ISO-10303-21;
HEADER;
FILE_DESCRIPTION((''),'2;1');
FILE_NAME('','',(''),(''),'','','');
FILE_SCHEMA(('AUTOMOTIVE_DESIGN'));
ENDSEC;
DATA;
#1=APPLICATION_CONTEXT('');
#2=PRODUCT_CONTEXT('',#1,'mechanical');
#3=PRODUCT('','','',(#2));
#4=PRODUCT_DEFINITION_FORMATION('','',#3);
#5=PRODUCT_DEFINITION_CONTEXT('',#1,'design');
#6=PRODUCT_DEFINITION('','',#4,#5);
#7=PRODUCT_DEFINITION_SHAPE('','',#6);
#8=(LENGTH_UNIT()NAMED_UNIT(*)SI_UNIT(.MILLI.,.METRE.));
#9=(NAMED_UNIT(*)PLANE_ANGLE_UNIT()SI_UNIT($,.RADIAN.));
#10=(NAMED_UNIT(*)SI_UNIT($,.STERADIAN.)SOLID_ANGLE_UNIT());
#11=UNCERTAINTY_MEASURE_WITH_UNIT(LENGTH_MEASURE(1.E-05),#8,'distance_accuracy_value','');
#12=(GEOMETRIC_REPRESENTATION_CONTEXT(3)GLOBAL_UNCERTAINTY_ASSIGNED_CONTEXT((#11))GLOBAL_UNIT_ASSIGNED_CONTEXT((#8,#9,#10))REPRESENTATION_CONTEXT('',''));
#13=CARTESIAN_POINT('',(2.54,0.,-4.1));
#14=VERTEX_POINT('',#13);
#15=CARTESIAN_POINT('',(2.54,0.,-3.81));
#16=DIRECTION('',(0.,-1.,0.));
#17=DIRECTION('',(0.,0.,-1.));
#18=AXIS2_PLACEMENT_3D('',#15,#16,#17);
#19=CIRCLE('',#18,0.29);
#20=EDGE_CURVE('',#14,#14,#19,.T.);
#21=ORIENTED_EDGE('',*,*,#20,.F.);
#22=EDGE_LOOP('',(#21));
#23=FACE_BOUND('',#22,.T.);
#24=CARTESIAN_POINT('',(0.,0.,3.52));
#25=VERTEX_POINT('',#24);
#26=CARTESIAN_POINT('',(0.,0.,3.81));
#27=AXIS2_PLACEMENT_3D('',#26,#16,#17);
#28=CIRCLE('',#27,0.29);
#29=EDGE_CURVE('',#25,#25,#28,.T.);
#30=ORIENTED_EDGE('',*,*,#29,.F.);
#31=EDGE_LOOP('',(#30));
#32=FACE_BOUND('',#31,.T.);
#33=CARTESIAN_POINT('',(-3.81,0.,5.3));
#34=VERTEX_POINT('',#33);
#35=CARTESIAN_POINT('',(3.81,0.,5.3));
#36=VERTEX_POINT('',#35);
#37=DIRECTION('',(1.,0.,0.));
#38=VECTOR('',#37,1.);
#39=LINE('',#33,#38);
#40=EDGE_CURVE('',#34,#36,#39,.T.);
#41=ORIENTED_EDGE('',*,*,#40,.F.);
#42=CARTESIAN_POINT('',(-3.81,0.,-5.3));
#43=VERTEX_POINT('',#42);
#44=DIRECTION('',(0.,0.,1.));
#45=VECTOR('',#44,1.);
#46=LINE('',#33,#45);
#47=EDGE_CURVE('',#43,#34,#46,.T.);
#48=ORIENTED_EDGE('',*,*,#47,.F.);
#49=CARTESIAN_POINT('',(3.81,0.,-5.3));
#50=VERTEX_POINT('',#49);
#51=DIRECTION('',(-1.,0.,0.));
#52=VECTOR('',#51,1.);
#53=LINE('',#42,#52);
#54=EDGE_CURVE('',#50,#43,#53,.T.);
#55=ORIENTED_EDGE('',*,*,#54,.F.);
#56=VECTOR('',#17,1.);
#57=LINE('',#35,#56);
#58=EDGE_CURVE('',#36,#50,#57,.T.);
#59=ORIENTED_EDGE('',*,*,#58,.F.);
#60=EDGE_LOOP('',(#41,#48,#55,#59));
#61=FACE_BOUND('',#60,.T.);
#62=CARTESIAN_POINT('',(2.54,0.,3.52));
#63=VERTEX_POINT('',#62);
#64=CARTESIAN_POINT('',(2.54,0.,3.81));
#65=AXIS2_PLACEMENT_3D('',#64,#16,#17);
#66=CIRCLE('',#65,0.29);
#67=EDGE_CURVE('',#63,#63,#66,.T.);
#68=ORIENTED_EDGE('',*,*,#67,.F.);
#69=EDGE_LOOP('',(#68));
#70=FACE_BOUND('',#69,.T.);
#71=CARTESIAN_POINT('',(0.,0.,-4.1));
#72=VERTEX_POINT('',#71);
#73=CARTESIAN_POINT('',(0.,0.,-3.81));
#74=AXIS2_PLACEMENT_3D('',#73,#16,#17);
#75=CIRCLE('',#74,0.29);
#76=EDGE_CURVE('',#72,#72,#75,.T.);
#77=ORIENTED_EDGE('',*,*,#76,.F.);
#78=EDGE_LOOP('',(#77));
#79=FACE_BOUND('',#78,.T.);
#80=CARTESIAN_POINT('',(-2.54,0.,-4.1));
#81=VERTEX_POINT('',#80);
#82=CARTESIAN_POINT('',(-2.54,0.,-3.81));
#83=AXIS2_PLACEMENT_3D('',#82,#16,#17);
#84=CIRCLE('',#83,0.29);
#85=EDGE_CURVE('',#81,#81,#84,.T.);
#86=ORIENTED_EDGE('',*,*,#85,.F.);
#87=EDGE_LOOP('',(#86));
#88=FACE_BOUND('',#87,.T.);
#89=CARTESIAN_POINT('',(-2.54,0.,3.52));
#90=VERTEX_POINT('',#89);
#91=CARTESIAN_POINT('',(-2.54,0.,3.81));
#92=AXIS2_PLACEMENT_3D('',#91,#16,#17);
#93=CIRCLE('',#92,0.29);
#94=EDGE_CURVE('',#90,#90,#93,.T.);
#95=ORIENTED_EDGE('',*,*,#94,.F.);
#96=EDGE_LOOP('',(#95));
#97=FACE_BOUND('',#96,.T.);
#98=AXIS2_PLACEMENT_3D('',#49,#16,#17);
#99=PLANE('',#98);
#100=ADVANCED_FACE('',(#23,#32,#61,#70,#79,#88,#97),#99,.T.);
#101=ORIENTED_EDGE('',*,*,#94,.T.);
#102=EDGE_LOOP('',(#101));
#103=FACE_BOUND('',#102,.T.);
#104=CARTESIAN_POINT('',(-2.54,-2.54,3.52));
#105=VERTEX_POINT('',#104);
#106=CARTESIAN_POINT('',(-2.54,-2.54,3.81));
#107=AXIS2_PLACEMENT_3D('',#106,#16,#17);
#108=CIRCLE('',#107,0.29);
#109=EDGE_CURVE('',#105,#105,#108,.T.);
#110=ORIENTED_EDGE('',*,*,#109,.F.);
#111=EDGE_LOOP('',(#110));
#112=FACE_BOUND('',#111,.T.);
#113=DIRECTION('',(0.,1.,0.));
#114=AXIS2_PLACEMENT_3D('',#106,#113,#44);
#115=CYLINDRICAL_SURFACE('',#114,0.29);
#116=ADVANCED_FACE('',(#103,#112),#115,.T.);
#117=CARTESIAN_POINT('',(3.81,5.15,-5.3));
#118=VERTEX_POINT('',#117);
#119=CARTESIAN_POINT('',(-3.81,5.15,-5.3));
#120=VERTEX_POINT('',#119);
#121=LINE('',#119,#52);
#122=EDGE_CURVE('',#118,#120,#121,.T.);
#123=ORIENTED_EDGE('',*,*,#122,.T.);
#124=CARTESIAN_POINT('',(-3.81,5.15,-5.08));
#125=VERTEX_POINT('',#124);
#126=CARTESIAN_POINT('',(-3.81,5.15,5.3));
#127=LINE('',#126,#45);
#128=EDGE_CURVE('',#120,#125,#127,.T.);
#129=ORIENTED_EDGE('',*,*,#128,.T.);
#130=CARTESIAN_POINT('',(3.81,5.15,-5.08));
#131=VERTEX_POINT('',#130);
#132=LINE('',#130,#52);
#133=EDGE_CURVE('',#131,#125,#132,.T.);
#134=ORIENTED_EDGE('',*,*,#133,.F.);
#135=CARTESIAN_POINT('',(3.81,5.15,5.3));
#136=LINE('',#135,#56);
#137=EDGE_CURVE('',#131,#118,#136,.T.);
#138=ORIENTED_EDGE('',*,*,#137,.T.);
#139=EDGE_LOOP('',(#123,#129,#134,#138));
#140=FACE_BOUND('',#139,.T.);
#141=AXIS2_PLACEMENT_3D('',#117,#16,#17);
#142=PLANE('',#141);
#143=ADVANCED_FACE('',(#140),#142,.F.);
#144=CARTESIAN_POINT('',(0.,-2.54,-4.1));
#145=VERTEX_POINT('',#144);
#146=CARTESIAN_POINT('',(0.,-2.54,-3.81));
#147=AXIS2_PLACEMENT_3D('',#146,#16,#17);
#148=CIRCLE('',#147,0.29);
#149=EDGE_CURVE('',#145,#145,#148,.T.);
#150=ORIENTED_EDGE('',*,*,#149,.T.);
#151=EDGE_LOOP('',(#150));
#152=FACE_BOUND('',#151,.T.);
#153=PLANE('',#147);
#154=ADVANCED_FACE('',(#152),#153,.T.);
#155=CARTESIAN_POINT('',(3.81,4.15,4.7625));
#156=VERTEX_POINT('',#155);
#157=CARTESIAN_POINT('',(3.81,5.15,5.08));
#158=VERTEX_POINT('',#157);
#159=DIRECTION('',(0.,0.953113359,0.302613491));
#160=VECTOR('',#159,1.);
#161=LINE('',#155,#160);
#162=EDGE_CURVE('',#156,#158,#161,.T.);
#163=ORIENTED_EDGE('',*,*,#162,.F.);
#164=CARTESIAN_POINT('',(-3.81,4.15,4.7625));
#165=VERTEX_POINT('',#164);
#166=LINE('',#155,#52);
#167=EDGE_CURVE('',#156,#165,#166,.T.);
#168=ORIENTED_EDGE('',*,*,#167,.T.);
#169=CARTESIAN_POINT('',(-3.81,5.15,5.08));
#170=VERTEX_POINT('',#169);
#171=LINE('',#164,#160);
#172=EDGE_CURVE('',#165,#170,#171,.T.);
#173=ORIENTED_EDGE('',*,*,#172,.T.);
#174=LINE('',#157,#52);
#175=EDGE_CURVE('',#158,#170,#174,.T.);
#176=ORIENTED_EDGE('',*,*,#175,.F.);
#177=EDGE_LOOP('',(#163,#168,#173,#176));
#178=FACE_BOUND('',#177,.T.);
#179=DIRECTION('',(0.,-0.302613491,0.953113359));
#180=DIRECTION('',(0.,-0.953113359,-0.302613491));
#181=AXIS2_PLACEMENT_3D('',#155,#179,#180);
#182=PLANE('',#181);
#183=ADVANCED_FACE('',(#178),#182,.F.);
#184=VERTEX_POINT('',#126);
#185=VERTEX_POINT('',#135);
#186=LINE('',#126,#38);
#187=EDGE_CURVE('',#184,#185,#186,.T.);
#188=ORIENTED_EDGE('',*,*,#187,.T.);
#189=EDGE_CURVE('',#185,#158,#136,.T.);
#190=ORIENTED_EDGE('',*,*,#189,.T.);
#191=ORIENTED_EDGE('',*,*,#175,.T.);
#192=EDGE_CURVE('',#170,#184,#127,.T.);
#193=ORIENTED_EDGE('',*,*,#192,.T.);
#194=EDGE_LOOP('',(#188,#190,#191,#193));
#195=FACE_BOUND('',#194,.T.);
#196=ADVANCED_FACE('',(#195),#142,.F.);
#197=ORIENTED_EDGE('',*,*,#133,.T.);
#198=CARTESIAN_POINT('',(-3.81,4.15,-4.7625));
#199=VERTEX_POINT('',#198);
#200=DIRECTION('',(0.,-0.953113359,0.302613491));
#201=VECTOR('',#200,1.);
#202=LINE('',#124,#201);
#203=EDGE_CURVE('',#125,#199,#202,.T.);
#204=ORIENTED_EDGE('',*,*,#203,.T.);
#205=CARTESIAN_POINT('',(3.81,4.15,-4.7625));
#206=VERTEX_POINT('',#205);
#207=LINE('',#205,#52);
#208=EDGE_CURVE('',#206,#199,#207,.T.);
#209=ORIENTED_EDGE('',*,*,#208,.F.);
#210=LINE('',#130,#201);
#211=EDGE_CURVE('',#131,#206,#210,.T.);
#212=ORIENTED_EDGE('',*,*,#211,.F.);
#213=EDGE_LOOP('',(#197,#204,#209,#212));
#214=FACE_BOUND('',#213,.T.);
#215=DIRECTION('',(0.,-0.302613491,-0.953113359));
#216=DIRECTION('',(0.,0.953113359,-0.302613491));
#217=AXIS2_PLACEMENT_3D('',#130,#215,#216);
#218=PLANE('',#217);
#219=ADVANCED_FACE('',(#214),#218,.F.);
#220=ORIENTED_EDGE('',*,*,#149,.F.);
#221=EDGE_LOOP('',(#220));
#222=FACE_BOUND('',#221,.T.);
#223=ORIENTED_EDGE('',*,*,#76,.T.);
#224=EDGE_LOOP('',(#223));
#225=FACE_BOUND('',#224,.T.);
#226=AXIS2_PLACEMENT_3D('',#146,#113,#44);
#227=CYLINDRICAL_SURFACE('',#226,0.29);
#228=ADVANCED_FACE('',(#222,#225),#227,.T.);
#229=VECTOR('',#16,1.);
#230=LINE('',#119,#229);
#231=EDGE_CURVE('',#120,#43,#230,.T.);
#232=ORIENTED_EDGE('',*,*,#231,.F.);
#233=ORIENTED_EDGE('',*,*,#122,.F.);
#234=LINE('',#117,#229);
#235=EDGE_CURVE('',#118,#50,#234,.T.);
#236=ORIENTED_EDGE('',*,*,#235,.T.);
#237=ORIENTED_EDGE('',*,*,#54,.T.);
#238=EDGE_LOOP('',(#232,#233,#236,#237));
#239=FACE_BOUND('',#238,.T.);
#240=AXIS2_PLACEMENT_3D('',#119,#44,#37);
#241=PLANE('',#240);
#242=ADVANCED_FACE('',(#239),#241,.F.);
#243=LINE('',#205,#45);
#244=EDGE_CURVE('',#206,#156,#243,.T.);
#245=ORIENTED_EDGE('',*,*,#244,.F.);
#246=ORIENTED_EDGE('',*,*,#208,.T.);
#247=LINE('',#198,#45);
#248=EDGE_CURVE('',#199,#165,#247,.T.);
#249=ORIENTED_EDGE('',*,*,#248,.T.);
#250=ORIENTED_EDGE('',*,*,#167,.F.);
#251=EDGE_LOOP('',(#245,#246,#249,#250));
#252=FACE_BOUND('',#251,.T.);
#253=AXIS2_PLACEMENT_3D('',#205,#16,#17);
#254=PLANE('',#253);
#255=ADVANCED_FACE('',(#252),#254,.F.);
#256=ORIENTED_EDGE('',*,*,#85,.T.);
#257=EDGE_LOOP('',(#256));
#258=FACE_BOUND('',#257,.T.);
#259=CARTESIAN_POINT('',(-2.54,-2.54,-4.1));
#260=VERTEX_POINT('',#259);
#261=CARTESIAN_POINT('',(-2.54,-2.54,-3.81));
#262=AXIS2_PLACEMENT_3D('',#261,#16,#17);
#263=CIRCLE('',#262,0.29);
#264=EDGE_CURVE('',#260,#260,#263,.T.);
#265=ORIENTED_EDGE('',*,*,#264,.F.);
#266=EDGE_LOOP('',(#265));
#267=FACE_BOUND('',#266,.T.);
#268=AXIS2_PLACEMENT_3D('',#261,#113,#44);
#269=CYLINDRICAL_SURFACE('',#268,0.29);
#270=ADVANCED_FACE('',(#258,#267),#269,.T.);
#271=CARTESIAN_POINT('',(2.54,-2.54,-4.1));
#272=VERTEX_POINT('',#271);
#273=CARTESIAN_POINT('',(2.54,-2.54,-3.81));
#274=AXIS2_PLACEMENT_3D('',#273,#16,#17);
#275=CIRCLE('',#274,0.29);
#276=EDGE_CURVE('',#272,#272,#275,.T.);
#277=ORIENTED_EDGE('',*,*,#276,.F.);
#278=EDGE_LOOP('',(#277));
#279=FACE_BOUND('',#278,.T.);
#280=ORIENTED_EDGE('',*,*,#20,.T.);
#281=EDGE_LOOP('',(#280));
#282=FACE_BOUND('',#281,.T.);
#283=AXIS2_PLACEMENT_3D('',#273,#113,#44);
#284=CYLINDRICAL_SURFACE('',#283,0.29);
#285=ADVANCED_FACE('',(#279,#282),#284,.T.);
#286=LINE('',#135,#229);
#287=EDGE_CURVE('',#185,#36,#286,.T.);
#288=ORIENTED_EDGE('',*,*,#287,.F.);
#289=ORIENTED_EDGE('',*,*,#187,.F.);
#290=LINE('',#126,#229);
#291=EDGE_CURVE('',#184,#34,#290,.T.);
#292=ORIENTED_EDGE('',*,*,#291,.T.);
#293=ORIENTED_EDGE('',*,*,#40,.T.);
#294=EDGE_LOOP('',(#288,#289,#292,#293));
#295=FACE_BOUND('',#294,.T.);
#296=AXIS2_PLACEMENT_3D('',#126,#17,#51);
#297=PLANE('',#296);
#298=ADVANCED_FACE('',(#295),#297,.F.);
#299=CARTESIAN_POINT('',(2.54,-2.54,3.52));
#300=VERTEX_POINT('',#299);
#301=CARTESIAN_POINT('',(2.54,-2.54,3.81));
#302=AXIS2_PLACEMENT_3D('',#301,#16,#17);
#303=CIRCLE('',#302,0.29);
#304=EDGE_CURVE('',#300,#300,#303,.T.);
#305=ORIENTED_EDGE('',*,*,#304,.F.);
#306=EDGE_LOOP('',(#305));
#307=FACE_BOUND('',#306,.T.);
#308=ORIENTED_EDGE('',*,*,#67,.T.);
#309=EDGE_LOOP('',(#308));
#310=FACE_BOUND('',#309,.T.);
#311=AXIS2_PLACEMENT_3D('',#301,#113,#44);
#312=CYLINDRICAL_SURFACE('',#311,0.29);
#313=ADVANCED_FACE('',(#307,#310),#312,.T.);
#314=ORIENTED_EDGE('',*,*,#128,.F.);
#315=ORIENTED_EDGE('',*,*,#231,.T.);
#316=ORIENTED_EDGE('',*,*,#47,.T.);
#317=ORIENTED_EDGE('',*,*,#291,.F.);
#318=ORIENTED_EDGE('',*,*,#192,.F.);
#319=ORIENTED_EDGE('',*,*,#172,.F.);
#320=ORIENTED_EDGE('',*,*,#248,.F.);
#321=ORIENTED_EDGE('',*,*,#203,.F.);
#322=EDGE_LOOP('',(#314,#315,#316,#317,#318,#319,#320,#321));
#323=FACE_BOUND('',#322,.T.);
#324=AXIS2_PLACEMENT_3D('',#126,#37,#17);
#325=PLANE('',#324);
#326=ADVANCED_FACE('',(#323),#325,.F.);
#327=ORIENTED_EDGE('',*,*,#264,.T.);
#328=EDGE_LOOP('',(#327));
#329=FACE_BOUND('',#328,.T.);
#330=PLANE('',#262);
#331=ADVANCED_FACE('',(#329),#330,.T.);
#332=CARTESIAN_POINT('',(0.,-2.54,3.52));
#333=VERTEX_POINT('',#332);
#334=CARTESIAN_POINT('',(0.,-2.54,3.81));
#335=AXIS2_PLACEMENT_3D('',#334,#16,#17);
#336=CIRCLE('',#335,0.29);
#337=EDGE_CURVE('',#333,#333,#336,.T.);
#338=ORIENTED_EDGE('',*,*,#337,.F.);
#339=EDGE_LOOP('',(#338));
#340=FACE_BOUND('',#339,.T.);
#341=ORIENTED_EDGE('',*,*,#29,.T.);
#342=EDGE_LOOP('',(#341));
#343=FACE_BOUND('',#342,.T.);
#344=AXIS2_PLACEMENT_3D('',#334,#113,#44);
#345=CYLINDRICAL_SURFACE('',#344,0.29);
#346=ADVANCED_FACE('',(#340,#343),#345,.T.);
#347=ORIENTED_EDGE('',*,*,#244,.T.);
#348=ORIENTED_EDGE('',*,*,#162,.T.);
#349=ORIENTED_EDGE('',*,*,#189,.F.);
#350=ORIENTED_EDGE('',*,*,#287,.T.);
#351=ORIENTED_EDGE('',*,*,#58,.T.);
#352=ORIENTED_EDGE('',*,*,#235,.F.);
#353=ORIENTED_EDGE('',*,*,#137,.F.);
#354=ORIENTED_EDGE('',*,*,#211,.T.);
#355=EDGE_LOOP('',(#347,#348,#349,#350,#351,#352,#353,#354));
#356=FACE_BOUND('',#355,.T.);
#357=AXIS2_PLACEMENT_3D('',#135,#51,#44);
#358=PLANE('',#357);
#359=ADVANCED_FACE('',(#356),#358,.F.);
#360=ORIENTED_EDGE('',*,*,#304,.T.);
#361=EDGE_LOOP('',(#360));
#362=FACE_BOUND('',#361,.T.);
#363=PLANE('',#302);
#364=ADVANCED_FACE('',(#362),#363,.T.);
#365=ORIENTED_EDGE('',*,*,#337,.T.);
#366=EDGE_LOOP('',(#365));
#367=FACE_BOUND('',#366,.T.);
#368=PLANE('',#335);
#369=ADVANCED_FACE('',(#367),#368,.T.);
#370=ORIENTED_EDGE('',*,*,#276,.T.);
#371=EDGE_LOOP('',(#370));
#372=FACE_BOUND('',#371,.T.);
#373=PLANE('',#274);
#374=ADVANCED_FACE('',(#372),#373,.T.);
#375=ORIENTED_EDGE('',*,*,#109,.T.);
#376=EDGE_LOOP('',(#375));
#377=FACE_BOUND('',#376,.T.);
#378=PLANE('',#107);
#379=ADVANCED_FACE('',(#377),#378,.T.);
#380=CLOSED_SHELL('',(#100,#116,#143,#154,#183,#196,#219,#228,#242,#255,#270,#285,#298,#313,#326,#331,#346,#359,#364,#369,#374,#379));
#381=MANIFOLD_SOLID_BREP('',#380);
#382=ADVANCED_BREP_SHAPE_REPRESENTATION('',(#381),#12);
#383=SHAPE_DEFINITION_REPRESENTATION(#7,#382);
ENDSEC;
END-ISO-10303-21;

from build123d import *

# Parameters (mm, degrees)
SKETCH1_W            = 7.62
SKETCH1_H            = 10.6
BOSS_EXTRUDE1_DEPTH  = 5.15
SKETCH3_R            = 0.29
BOSS_EXTRUDE2_DEPTH  = 2.54
LPATTERN1_COUNT      = 3
LPATTERN1_PITCH      = 2.54
LPATTERN1_COUNT_DIR2 = 2
LPATTERN1_PITCH_DIR2 = 7.62
CUT_EXTRUDE1_DEPTH   = 11.614937588


with BuildPart() as part:
    # Sketch1 → Boss-Extrude1 (new body)
    with BuildSketch(Plane(origin=(0, 0, 0), x_dir=(1, 0, 0), z_dir=(0, 1, 0))):
        Rectangle(SKETCH1_W, SKETCH1_H)
    extrude(amount=BOSS_EXTRUDE1_DEPTH)

    # Sketch3 → Boss-Extrude2 (add)
    with BuildSketch(Plane.XZ):
        with Locations(Location((2.54, -3.81, 0), (0, 0, 270))):
            Circle(SKETCH3_R)
    boss_extrude2 = extrude(amount=BOSS_EXTRUDE2_DEPTH)

    # LPattern1: Boss-Extrude2 3 × 2
    with Locations(*[(-i * LPATTERN1_PITCH, 0, j * LPATTERN1_PITCH_DIR2) for i in range(LPATTERN1_COUNT) for j in range(LPATTERN1_COUNT_DIR2) if (i, j) != (0, 0)]):
        add(boss_extrude2)

    # Sketch4 → Cut-Extrude1 (cut, through all)
    with BuildSketch(Plane.ZY.offset(3.81)):
        Polygon((-5.08, 5.15), (-4.7625, 4.15), (4.7625, 4.15), (5.08, 5.15), align=None)
    extrude(amount=-CUT_EXTRUDE1_DEPTH, mode=Mode.SUBTRACT)


solid = part.part
